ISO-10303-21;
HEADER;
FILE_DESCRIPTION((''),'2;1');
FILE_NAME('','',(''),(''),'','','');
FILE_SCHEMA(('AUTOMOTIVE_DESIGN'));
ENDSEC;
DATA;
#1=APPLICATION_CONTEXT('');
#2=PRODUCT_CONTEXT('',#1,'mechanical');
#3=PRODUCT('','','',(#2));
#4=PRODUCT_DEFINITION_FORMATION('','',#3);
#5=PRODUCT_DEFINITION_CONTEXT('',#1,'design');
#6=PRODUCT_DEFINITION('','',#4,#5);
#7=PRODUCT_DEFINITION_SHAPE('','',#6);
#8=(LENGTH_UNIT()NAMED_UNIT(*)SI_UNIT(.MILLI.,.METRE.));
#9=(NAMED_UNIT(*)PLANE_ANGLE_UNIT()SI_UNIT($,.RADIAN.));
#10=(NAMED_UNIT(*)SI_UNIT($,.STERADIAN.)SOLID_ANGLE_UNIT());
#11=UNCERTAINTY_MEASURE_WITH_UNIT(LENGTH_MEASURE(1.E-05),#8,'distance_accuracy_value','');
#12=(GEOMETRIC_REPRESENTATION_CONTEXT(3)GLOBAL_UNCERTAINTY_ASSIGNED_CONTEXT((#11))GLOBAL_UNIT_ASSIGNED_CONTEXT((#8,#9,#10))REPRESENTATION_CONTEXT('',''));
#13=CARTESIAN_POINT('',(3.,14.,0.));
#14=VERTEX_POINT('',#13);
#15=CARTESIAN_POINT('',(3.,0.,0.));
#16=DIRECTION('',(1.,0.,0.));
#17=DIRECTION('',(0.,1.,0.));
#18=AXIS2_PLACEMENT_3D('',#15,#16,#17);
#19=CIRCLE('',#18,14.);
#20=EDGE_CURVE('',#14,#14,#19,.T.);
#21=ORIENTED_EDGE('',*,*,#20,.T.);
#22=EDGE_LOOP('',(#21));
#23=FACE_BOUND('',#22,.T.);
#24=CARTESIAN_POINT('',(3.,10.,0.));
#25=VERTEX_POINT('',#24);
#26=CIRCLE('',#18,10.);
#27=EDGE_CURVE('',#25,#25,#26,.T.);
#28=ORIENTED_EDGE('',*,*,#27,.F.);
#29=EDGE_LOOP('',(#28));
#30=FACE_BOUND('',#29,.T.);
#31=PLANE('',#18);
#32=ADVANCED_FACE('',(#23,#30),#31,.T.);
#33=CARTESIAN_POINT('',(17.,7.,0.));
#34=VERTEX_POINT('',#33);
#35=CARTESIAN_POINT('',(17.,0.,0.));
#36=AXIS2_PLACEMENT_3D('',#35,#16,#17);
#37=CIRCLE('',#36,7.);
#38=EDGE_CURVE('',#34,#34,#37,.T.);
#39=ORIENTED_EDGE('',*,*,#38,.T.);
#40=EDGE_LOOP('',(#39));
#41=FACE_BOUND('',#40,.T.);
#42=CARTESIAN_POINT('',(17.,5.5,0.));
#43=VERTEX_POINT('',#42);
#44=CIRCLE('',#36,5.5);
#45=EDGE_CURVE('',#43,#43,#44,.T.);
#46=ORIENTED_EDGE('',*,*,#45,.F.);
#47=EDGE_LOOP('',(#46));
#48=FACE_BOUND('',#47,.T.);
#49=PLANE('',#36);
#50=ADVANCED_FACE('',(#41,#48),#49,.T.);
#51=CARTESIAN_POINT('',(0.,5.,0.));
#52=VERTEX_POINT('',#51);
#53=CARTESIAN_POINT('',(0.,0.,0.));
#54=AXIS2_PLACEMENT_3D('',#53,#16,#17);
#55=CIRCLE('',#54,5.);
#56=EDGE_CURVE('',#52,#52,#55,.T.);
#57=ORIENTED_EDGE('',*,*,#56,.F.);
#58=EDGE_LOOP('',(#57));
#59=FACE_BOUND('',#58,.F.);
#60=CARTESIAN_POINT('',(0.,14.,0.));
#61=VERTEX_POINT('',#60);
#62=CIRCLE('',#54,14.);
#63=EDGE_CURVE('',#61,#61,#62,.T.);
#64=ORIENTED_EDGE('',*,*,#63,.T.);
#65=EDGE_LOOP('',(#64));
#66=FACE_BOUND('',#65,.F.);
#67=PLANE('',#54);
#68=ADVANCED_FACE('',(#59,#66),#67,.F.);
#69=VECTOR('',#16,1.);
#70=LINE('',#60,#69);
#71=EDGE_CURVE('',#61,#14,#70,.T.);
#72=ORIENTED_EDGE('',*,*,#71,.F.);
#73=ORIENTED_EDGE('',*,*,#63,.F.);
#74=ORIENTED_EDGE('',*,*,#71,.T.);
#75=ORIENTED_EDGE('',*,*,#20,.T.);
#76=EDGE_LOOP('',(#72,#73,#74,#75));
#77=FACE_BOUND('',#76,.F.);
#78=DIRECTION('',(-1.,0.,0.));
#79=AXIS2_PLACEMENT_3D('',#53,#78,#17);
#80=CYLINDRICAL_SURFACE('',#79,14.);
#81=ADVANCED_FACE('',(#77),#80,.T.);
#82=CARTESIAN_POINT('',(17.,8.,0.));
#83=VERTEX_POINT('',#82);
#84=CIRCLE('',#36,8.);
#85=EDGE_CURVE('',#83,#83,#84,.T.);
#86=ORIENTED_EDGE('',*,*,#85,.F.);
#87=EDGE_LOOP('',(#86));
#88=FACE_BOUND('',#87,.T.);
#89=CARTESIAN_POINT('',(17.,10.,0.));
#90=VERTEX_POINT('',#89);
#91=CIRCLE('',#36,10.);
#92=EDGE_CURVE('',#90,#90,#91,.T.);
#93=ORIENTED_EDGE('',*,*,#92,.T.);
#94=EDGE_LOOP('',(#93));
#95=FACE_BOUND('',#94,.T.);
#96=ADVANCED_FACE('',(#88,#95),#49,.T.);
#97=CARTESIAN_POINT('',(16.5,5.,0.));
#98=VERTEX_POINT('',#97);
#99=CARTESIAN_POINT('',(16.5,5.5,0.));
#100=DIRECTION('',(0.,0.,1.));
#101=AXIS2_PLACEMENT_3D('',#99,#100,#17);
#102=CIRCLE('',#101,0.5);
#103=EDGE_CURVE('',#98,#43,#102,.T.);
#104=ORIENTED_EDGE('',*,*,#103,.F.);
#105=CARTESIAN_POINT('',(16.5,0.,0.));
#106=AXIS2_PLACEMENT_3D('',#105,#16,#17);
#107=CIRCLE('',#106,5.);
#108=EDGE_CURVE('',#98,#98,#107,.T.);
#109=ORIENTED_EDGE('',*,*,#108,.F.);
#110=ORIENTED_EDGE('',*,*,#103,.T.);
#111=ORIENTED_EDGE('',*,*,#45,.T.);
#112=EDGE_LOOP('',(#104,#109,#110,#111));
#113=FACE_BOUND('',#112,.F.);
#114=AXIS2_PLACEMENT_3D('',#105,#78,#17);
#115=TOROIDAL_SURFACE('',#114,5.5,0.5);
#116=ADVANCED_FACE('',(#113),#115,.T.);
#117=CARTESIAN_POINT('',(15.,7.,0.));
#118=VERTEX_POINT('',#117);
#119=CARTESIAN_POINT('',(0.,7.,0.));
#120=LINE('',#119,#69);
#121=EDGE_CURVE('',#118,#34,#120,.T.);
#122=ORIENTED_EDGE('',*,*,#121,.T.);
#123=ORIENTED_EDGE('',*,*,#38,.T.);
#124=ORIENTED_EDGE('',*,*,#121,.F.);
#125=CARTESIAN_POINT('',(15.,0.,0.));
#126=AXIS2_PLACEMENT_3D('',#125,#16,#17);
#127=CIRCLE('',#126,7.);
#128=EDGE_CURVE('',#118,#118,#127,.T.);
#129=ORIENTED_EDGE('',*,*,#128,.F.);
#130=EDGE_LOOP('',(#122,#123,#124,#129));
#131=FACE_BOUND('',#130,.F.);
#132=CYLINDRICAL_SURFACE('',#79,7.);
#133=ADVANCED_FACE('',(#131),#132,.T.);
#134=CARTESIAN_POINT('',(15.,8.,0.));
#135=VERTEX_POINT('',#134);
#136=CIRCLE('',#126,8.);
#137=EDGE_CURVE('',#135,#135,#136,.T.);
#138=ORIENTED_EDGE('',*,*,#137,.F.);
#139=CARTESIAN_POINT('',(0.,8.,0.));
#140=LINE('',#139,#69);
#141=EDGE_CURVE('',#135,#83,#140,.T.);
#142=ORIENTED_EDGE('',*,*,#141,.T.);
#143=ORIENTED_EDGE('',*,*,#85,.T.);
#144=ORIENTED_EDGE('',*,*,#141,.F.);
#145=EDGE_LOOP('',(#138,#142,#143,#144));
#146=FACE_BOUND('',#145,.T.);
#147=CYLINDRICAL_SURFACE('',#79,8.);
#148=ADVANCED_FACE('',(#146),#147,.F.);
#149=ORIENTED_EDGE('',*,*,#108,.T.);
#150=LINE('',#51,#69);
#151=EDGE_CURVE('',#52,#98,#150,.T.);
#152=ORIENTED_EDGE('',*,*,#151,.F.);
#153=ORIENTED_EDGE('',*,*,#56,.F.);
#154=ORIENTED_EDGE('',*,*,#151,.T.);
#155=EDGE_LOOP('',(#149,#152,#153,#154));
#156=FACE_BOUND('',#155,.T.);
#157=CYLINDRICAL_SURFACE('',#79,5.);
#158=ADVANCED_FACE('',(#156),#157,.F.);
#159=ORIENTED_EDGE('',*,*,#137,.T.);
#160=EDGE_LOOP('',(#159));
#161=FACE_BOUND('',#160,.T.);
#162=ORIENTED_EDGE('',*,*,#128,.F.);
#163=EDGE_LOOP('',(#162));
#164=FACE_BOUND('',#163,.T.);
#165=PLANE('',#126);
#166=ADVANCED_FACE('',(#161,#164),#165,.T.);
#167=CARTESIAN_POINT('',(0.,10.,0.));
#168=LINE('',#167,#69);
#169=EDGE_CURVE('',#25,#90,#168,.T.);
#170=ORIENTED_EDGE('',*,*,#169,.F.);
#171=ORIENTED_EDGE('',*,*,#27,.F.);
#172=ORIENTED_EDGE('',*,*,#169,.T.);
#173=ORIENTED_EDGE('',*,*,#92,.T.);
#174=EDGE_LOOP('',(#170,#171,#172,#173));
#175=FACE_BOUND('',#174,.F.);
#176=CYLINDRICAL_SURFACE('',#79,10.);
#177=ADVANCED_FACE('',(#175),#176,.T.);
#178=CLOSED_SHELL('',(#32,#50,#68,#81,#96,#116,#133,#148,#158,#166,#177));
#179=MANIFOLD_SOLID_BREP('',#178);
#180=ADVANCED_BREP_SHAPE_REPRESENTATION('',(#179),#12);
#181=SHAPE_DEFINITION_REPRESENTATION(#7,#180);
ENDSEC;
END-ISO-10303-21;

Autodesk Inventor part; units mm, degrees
ref_plane "YZ Plane" through (0, 0, 0) normal (1, 0, 0) x (0, 1, 0)
ref_plane "XZ Plane" through (0, 0, 0) normal (0, 1, 0) x (-1, 0, 0)
ref_plane "XY Plane" through (0, 0, 0) normal (0, 0, 1) x (1, 0, 0)
sketch "スケッチ1" plane through (0, 0, 0) normal (1, 0, 0) x (0, 1, 0)
  circle A0 centre (0, 0) radius 5
  circle A1 centre (0, 0) radius 10
  circle A2 centre (0, 0) radius 8
  circle A3 centre (0, 0) radius 7
  circle A4 centre (0, 0) radius 14
  dimension "d0" = 10
  dimension "d1" = 20
  dimension "d2" = 2
  dimension "d8" = 2
  dimension "d9" = 28
extrude "押し出し1" add sketch "スケッチ1" along normal blind 17 contours A1 | A3
extrude "押し出し2" add sketch "スケッチ1" along normal blind 15 contours A2
fillet "フィレット1" radius 0.5 1 edges at (17, -5, 0)
extrude "押し出し3" add sketch "スケッチ1" along normal blind 3 contours A4
properties part number "myPartbasic"
